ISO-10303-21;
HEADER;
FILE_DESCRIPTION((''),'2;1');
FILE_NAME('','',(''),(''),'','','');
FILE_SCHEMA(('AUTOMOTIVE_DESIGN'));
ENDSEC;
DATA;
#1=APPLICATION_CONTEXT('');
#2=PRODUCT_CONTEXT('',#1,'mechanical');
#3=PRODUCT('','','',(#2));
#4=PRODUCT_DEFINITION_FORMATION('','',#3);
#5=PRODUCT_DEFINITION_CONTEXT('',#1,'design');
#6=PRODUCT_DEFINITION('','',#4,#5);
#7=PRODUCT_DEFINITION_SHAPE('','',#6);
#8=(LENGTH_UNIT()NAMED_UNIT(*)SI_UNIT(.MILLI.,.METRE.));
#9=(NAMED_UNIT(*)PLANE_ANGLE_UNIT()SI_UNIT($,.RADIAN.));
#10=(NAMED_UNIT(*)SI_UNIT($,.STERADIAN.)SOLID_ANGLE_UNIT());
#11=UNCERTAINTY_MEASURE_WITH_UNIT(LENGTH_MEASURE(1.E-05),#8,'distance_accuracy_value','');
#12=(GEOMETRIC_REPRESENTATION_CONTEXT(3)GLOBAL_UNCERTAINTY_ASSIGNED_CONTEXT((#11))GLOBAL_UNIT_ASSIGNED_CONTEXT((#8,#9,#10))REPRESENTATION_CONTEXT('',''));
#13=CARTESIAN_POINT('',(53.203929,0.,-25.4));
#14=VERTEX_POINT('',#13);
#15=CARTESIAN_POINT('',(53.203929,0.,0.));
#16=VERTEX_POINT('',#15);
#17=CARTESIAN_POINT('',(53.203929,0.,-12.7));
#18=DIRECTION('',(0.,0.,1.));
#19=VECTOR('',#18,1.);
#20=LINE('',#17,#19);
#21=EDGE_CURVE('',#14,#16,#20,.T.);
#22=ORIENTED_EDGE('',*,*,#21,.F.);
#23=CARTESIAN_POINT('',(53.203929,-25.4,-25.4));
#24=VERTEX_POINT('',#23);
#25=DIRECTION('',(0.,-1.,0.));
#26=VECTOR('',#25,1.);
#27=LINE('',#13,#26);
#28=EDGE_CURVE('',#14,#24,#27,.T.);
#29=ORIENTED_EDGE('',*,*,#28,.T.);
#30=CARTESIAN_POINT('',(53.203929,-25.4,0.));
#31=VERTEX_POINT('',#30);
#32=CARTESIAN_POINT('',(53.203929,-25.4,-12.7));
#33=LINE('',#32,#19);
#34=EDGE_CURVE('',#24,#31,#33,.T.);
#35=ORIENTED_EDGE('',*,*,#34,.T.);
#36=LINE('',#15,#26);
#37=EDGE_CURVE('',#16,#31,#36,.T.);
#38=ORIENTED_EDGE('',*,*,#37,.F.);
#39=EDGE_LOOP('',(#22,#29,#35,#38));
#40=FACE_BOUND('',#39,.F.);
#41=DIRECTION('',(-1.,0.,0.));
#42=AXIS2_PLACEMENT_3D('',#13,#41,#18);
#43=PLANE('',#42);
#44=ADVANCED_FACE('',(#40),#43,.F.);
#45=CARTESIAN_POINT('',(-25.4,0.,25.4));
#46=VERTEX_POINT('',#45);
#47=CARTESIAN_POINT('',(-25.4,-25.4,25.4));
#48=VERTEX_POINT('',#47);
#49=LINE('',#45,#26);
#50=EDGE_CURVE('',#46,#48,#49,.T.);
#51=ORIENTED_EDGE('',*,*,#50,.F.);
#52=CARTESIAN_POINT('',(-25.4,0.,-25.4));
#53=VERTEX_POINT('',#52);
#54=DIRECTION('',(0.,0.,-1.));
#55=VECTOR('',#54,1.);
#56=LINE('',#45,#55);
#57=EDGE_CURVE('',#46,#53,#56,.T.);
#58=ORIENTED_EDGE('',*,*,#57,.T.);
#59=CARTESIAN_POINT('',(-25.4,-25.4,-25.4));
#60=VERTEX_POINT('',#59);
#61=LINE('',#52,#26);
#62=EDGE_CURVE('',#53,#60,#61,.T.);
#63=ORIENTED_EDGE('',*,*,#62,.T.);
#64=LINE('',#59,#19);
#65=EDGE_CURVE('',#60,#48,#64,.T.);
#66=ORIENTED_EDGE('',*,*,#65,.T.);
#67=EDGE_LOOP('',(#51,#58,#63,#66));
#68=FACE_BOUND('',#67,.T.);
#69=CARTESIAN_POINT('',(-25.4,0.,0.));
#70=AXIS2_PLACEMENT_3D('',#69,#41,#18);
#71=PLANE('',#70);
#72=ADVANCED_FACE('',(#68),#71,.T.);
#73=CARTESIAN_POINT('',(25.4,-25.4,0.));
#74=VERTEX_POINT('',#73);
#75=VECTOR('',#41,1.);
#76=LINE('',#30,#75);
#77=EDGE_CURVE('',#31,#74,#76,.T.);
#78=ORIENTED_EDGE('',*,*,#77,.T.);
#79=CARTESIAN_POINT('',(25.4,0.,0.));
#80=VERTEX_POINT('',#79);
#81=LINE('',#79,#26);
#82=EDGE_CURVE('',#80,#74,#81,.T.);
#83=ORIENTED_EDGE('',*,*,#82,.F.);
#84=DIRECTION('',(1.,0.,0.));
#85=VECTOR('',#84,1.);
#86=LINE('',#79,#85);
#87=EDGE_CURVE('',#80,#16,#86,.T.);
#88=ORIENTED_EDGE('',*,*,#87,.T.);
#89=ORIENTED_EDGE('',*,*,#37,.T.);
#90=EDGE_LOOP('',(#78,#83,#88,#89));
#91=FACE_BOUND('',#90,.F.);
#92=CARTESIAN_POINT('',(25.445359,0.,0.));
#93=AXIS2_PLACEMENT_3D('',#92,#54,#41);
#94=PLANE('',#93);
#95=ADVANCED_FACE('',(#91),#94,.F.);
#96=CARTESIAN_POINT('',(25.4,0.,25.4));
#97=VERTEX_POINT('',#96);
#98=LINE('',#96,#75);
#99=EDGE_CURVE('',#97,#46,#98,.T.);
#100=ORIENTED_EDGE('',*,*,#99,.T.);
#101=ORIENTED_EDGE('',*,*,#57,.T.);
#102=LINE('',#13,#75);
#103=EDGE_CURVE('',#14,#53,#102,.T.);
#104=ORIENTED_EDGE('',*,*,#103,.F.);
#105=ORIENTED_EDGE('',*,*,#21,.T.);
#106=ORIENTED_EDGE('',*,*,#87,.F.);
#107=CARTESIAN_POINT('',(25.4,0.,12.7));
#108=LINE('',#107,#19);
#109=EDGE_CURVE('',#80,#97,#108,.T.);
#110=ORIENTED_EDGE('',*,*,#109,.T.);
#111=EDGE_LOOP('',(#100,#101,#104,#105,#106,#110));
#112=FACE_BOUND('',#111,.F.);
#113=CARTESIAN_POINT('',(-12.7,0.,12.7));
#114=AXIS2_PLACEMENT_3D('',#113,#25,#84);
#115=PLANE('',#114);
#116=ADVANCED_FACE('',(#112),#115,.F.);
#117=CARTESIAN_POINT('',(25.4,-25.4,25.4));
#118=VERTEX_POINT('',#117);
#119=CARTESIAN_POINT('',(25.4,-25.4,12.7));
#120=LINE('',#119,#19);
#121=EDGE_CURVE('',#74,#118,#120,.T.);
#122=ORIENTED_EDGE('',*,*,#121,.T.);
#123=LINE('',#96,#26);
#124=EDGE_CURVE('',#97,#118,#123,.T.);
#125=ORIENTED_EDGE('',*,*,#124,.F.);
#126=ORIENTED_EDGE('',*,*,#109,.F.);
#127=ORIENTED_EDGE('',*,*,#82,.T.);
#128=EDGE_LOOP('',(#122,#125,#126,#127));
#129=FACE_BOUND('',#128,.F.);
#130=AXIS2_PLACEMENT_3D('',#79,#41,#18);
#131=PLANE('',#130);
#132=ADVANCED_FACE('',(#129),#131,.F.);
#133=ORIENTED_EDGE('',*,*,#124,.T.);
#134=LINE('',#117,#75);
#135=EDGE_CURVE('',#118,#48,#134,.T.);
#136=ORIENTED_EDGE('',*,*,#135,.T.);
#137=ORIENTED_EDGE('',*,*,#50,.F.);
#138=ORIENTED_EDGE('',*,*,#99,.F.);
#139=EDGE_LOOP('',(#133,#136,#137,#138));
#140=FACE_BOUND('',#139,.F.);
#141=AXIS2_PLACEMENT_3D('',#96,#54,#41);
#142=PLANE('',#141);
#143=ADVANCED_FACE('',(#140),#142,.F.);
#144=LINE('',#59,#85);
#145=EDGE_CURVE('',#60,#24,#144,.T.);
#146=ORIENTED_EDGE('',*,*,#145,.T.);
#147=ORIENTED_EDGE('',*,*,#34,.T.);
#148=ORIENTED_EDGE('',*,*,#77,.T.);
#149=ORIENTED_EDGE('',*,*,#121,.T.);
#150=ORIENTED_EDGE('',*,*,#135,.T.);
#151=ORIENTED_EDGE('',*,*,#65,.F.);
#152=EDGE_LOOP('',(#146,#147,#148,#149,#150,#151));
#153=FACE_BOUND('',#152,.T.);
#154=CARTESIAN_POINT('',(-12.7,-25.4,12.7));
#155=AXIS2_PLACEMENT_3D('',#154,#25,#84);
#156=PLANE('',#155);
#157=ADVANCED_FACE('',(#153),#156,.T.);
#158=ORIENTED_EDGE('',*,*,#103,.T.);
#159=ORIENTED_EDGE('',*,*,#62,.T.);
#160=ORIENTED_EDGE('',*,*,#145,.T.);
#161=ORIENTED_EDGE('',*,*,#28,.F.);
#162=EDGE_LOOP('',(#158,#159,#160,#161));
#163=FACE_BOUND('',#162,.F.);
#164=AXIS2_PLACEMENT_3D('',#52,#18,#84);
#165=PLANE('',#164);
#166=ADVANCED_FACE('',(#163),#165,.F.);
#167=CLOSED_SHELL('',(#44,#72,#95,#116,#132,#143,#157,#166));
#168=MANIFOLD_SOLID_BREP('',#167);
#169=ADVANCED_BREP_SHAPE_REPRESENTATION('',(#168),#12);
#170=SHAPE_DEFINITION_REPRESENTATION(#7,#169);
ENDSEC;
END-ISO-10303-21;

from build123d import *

# Parameters (mm, degrees)
F0_W     = 25.4
F0_H     = 25.4
F1_DEPTH = 25.4
F0_W_2   = 27.75857
F2_DEPTH = 25.4


with BuildPart() as f1:
    # F0 (on Front) → F1 (new body)
    with BuildSketch(Plane.XZ):
        with Locations((-12.7, -12.7)):
            Rectangle(F0_W, F0_H)
        Polygon((25.4, 0), (0, 0), (0, -25.4), (25.445359, -25.4), (25.445359, 0), align=None)
    extrude(amount=F1_DEPTH)

    # F0 (on Front) → F2 (join)
    with BuildSketch(Plane.XZ):
        with Locations((-12.7, 12.7)):
            Rectangle(F0_W, F0_H)
        with Locations((12.7, 12.7)):
            Rectangle(F0_W, F0_H)
        with Locations((39.324644, -12.7)):
            Rectangle(F0_W_2, F0_H)
    extrude(amount=F2_DEPTH)


solid = f1.part
